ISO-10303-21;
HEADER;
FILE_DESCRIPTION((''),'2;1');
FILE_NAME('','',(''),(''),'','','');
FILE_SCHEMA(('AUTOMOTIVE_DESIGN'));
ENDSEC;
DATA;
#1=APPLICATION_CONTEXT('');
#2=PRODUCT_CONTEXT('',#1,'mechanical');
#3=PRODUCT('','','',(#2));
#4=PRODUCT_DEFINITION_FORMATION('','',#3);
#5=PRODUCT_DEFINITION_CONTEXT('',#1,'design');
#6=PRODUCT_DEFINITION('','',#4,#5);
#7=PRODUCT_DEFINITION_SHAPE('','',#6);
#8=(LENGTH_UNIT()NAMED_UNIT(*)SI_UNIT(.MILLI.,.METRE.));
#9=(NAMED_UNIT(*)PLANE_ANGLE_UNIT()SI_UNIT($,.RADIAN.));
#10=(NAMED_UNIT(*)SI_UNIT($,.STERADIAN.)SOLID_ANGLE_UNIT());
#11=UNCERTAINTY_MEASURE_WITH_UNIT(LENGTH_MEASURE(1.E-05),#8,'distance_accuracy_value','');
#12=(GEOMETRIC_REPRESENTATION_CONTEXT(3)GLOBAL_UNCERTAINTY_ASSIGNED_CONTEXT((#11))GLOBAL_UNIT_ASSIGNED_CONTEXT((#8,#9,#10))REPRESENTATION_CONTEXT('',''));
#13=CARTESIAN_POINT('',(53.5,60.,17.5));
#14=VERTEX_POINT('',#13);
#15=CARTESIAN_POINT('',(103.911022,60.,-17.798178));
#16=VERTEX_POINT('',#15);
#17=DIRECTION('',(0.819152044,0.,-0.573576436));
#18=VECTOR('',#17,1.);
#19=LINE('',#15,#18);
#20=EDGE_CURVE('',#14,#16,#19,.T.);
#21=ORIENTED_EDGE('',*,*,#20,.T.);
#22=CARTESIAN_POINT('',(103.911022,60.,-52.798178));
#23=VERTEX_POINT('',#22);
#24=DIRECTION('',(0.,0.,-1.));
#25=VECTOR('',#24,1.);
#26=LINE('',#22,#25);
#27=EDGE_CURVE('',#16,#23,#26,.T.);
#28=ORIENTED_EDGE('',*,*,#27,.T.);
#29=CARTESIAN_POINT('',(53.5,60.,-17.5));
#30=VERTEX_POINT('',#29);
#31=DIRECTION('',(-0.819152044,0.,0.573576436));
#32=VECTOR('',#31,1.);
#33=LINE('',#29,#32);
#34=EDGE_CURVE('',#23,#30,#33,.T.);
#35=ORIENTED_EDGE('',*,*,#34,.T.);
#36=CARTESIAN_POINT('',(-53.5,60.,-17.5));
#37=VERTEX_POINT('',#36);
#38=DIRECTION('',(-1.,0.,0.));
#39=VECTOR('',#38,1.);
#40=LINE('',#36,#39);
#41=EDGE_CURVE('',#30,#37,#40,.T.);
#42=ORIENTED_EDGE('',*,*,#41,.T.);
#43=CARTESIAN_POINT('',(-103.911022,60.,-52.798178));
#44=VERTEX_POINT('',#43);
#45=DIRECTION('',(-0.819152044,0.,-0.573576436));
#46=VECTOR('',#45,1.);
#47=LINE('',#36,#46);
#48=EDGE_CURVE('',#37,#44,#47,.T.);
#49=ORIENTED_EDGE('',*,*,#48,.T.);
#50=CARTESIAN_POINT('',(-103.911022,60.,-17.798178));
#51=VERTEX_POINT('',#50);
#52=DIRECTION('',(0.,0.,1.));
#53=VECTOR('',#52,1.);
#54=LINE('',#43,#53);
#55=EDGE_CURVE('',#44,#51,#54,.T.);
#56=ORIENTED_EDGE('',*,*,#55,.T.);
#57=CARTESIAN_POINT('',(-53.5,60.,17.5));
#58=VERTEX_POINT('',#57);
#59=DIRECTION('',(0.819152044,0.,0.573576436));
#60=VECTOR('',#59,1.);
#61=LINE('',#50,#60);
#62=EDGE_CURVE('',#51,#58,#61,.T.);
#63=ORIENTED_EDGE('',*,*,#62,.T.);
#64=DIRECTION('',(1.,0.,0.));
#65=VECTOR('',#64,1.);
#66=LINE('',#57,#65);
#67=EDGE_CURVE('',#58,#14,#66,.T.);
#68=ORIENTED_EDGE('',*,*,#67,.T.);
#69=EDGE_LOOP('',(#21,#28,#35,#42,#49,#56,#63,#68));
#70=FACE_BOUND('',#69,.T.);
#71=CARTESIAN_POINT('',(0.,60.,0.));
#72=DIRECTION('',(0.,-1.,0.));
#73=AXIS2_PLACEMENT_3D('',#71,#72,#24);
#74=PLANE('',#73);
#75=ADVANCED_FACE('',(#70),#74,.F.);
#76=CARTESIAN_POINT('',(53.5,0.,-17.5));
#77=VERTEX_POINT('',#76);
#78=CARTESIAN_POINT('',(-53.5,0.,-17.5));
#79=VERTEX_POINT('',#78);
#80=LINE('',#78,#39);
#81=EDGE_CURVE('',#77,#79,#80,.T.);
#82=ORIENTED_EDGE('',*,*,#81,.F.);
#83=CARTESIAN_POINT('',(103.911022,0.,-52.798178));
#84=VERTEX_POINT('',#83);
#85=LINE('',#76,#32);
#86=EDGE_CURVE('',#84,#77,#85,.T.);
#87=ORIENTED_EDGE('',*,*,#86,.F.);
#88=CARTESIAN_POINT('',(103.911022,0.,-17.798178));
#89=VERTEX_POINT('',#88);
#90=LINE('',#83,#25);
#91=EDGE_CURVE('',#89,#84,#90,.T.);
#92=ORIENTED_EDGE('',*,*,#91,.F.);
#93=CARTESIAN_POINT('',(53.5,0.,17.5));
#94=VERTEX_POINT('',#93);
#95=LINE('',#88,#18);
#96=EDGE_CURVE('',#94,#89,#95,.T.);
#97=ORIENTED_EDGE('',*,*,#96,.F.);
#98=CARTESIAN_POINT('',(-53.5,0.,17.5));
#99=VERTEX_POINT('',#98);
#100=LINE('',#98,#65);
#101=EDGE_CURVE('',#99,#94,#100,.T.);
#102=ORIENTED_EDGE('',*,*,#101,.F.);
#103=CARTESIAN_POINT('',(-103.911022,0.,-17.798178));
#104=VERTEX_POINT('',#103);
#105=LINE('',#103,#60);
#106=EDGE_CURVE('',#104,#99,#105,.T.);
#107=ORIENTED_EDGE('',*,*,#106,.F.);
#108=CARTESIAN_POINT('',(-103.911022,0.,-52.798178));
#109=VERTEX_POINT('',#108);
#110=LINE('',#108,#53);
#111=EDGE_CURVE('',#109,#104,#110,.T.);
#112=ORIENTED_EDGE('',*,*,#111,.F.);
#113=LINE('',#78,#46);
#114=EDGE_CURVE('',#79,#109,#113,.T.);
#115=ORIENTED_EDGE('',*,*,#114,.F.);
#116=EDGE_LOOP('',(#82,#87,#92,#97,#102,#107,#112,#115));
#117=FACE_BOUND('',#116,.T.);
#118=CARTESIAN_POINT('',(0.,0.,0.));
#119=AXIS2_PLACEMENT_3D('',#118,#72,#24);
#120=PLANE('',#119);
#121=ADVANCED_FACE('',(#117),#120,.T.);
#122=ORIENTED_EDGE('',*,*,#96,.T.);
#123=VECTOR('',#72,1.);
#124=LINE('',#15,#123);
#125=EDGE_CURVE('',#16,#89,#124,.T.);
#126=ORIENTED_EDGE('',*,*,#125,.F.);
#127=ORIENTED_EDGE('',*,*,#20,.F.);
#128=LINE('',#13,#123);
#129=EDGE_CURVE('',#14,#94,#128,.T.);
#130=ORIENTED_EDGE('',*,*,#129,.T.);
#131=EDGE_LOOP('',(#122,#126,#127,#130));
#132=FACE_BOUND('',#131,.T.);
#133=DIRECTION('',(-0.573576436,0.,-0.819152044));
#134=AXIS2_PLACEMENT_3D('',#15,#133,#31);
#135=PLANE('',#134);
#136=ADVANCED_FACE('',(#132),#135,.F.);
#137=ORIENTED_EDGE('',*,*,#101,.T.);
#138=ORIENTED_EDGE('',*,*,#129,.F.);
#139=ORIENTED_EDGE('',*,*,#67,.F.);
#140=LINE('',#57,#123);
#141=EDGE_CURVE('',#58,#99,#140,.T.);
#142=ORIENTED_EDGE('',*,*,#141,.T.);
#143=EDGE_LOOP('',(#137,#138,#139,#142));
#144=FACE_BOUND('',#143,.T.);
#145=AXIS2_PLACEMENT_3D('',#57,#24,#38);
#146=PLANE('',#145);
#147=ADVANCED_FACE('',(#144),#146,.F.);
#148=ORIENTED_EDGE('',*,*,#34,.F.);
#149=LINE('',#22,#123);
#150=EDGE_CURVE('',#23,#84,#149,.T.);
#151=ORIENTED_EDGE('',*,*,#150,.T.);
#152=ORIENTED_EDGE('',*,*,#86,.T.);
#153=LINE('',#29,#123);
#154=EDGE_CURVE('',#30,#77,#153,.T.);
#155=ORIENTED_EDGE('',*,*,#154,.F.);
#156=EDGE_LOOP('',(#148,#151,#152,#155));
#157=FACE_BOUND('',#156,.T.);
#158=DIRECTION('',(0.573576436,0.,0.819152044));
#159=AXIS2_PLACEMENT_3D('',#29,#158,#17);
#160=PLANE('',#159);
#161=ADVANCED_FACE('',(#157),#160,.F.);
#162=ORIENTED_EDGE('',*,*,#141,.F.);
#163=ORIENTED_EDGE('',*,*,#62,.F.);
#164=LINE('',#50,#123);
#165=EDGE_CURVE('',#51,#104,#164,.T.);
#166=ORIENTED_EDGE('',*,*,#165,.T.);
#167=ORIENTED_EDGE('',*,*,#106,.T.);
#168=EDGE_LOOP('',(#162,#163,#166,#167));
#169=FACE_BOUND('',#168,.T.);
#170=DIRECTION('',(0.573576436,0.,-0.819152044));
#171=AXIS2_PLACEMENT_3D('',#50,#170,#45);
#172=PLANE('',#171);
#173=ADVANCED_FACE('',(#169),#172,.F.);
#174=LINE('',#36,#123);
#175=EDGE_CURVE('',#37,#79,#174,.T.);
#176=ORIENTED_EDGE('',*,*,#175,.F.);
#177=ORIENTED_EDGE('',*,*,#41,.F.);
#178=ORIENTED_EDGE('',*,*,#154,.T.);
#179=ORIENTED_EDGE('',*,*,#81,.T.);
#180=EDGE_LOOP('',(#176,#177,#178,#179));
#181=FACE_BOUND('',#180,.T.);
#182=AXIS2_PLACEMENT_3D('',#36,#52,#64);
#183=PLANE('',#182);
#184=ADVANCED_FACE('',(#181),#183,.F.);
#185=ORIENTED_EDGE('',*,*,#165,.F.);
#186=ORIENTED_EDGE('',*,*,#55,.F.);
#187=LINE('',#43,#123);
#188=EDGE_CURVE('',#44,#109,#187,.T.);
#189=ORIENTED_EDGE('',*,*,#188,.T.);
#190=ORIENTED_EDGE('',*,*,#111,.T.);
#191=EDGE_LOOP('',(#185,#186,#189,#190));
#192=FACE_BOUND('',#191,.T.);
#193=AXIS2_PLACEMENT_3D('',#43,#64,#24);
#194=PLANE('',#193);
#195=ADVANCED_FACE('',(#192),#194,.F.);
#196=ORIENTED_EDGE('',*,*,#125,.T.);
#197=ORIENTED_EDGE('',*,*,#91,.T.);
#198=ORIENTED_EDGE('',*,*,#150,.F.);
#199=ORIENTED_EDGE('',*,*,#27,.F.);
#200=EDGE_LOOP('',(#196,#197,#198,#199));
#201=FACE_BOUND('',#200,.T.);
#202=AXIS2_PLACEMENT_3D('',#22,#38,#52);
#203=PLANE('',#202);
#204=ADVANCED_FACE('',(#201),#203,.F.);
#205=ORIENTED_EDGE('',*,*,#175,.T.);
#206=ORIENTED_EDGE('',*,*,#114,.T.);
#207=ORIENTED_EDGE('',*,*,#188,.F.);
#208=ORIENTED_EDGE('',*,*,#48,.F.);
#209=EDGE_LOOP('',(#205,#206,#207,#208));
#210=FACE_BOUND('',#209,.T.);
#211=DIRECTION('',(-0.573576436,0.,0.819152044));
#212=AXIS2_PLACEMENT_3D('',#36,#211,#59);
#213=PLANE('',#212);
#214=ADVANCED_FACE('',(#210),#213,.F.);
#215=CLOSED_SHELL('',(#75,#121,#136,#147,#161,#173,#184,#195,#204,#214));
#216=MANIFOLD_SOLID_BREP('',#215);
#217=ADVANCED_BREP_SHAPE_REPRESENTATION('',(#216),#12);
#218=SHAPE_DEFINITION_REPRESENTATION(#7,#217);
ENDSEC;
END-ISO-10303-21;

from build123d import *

# Parameters (mm, degrees)
BOSS_EXTRUDE1_DEPTH = 60


with BuildPart() as part:
    # Sketch1 → Boss-Extrude1 (new body)
    with BuildSketch(Plane(origin=(0, 0, 0), x_dir=(1, 0, 0), z_dir=(0, 1, 0))):
        Polygon((-53.5, 17.5), (-103.911022231, 52.798177775), (-103.911022231, 17.798177775), (-53.5, -17.5), (53.5, -17.5), (103.911022231, 17.798177775), (103.911022231, 52.798177775), (53.5, 17.5), align=None)
    extrude(amount=BOSS_EXTRUDE1_DEPTH)


solid = part.part
